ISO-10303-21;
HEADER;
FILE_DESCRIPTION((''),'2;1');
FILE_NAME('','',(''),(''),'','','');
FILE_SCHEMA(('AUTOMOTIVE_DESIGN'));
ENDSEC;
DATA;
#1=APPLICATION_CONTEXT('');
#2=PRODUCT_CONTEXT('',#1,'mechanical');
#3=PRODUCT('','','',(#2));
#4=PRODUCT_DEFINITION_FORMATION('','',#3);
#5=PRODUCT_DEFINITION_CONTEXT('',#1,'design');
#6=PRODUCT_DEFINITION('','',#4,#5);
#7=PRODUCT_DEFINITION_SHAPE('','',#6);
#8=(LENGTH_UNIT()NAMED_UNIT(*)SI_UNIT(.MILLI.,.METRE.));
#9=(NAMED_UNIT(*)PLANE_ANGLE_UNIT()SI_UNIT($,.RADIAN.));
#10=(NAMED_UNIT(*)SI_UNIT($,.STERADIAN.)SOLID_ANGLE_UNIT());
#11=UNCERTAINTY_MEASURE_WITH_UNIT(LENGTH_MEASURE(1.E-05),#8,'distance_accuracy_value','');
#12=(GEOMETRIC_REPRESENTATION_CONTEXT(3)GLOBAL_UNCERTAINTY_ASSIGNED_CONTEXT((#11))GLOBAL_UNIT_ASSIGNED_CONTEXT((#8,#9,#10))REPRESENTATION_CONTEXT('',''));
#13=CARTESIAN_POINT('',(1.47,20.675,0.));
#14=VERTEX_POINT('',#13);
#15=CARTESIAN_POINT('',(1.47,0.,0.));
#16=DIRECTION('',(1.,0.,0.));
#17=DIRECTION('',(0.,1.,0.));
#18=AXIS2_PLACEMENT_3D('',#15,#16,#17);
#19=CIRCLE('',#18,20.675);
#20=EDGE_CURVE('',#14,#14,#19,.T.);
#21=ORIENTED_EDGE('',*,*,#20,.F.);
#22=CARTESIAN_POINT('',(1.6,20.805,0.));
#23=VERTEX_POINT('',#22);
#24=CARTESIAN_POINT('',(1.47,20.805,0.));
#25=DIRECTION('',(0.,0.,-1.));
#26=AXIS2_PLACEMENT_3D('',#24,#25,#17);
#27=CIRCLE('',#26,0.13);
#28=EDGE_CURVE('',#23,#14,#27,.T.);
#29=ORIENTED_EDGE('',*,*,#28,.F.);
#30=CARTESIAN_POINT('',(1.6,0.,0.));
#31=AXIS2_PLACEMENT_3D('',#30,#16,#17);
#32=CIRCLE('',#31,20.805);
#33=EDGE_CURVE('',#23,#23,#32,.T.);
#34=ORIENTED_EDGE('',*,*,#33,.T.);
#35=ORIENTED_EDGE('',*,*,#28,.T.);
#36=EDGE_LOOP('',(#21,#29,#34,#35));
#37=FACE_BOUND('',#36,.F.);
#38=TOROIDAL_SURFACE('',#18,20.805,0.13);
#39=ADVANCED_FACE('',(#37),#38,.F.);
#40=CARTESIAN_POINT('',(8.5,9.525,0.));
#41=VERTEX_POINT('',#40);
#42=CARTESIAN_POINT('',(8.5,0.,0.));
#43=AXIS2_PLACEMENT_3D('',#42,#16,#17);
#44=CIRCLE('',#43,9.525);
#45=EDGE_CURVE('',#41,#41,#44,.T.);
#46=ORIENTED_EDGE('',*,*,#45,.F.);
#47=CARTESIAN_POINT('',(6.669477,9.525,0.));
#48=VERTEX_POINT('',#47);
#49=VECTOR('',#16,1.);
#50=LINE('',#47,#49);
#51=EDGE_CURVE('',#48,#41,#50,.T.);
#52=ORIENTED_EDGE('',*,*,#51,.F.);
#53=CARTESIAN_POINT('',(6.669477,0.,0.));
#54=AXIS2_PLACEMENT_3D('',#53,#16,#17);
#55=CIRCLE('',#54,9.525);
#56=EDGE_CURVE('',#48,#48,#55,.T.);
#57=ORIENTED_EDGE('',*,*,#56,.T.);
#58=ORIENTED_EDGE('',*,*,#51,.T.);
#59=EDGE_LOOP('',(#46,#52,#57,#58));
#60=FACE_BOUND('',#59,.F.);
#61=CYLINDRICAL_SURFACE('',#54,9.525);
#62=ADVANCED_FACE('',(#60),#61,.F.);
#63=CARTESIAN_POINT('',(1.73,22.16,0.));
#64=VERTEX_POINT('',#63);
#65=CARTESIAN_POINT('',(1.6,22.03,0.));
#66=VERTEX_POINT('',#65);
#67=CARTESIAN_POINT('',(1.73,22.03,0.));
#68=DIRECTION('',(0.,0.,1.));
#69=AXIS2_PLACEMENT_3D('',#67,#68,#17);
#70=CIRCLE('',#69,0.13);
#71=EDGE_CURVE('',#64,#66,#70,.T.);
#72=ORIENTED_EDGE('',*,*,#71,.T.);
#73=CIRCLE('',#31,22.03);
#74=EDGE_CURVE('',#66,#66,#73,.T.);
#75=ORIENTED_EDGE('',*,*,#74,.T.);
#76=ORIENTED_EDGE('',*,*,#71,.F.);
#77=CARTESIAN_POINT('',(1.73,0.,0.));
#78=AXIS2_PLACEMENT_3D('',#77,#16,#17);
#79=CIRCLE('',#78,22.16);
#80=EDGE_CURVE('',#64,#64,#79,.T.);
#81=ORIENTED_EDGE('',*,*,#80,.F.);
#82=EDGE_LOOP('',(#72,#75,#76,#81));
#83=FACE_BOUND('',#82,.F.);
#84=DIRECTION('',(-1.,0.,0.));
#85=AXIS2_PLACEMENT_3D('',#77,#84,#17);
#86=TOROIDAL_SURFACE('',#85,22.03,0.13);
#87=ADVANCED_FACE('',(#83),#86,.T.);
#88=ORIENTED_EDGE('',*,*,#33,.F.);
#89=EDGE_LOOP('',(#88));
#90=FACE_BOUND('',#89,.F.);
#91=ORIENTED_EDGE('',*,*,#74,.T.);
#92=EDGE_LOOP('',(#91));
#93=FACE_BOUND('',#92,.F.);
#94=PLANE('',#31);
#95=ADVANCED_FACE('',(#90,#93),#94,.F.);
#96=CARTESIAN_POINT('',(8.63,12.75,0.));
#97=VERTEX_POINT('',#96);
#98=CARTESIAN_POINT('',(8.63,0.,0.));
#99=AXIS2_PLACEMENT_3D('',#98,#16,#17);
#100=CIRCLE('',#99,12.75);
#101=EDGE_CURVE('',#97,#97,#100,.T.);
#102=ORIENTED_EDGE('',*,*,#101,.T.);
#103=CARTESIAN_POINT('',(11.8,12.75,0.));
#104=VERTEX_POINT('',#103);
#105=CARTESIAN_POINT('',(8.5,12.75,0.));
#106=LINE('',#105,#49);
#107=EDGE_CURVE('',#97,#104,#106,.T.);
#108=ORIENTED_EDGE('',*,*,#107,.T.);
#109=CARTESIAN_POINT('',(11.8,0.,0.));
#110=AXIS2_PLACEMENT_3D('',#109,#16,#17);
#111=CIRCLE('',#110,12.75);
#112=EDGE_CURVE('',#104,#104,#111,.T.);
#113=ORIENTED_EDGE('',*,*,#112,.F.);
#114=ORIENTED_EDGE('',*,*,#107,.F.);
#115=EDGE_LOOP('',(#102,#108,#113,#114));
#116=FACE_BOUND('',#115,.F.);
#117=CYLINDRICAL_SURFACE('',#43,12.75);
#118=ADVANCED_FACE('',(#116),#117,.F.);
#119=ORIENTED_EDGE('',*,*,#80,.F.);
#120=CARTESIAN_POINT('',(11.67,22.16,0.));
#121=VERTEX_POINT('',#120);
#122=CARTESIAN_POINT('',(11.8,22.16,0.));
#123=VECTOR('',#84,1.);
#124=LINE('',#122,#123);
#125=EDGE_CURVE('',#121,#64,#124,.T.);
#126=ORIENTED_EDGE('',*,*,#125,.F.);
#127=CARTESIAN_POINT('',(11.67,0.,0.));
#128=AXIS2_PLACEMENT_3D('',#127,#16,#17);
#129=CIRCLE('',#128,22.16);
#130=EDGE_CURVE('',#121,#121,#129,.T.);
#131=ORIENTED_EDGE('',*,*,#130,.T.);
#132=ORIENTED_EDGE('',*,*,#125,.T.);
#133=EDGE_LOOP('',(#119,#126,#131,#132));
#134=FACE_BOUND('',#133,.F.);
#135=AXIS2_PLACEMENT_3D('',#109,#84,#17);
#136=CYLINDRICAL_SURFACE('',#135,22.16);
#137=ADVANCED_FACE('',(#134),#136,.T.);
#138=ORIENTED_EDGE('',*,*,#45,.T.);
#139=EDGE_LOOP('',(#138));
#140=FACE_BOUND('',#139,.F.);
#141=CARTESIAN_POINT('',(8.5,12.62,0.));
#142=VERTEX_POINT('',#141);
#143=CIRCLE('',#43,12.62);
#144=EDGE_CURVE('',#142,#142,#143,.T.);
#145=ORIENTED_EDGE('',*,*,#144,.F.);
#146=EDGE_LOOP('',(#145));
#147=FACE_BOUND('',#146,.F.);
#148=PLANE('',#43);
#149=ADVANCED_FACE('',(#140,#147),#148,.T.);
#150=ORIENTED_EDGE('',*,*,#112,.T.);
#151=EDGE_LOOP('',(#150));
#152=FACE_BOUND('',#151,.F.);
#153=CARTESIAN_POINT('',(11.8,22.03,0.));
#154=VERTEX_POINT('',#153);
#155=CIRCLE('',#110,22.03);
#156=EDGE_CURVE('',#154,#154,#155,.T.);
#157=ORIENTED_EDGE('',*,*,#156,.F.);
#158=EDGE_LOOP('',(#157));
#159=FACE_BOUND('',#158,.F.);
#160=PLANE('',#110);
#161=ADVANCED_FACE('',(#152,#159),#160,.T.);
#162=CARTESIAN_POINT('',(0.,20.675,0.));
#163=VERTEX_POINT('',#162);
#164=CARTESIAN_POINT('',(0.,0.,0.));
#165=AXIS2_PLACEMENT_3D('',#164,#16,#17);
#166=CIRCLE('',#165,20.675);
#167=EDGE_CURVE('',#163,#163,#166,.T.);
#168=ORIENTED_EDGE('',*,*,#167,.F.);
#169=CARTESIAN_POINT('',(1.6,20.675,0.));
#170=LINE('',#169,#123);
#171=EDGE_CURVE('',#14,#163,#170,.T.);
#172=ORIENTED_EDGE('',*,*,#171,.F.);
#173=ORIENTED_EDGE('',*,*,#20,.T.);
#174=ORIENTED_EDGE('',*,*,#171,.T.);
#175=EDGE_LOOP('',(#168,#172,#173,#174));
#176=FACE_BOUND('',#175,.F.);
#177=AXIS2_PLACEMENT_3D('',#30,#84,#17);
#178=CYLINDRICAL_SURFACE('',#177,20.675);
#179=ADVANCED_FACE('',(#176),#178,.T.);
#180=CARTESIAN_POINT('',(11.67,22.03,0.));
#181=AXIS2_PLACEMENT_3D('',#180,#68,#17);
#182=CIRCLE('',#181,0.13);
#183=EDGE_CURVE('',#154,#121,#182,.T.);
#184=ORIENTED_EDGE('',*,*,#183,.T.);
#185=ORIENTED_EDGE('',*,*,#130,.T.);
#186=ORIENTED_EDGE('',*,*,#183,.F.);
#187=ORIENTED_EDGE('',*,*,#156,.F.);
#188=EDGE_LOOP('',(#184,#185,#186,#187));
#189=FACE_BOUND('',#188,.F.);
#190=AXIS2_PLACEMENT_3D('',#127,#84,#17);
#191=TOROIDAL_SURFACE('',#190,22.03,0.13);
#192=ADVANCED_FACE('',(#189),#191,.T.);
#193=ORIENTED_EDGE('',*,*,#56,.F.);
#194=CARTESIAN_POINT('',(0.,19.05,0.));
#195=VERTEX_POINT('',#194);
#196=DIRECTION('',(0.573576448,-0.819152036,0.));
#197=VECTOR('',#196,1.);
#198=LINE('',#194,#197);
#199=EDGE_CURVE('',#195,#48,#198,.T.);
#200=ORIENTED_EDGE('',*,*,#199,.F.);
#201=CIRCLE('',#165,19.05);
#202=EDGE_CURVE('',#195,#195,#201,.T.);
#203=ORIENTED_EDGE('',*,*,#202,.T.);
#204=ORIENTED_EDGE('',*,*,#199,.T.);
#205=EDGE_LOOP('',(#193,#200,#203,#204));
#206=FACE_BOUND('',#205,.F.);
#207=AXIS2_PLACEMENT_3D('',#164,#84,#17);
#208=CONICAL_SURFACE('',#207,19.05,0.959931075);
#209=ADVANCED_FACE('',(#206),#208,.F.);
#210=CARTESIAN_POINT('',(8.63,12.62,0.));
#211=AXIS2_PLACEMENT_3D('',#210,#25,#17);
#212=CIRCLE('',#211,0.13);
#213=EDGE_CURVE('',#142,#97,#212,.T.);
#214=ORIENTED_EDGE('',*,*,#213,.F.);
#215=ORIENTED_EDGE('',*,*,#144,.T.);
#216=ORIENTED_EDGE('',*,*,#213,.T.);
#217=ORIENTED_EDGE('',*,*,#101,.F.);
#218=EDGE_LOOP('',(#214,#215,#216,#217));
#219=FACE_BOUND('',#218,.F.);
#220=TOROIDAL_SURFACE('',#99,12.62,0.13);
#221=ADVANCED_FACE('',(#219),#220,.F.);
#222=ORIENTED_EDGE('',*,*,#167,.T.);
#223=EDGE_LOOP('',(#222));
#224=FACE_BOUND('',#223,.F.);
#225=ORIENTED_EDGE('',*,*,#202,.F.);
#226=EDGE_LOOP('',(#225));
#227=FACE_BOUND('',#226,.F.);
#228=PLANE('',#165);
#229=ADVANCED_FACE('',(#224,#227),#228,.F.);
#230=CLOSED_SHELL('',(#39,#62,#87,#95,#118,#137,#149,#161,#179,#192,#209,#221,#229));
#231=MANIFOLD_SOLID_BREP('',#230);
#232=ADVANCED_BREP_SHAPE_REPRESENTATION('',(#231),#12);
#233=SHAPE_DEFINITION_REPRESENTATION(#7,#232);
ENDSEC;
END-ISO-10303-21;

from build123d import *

# Parameters (mm, degrees)
F2_R = 0.13


with BuildPart() as f1:
    # F0 (on Top) → F1 (revolve)
    with BuildSketch(Plane.XY):
        Polygon((11.8, 12.75), (11.8, 22.16), (1.6, 22.16), (1.6, 20.675), (0, 20.675), (0, 19.05), (6.669477, 9.525), (8.5, 9.525), (8.5, 12.75), align=None)
    revolve(axis=Axis((4.418645, 0, 0), (1, 0, 0)))

    # F2
    f2_edges = [f1.edges().sort_by_distance(p)[0] for p in [
        (1.6, -20.675, 0),
        (8.5, -12.75, 0),
        (11.8, -22.16, 0),
        (1.6, -22.16, 0),
    ]]
    fillet(f2_edges, radius=F2_R)


solid = f1.part
